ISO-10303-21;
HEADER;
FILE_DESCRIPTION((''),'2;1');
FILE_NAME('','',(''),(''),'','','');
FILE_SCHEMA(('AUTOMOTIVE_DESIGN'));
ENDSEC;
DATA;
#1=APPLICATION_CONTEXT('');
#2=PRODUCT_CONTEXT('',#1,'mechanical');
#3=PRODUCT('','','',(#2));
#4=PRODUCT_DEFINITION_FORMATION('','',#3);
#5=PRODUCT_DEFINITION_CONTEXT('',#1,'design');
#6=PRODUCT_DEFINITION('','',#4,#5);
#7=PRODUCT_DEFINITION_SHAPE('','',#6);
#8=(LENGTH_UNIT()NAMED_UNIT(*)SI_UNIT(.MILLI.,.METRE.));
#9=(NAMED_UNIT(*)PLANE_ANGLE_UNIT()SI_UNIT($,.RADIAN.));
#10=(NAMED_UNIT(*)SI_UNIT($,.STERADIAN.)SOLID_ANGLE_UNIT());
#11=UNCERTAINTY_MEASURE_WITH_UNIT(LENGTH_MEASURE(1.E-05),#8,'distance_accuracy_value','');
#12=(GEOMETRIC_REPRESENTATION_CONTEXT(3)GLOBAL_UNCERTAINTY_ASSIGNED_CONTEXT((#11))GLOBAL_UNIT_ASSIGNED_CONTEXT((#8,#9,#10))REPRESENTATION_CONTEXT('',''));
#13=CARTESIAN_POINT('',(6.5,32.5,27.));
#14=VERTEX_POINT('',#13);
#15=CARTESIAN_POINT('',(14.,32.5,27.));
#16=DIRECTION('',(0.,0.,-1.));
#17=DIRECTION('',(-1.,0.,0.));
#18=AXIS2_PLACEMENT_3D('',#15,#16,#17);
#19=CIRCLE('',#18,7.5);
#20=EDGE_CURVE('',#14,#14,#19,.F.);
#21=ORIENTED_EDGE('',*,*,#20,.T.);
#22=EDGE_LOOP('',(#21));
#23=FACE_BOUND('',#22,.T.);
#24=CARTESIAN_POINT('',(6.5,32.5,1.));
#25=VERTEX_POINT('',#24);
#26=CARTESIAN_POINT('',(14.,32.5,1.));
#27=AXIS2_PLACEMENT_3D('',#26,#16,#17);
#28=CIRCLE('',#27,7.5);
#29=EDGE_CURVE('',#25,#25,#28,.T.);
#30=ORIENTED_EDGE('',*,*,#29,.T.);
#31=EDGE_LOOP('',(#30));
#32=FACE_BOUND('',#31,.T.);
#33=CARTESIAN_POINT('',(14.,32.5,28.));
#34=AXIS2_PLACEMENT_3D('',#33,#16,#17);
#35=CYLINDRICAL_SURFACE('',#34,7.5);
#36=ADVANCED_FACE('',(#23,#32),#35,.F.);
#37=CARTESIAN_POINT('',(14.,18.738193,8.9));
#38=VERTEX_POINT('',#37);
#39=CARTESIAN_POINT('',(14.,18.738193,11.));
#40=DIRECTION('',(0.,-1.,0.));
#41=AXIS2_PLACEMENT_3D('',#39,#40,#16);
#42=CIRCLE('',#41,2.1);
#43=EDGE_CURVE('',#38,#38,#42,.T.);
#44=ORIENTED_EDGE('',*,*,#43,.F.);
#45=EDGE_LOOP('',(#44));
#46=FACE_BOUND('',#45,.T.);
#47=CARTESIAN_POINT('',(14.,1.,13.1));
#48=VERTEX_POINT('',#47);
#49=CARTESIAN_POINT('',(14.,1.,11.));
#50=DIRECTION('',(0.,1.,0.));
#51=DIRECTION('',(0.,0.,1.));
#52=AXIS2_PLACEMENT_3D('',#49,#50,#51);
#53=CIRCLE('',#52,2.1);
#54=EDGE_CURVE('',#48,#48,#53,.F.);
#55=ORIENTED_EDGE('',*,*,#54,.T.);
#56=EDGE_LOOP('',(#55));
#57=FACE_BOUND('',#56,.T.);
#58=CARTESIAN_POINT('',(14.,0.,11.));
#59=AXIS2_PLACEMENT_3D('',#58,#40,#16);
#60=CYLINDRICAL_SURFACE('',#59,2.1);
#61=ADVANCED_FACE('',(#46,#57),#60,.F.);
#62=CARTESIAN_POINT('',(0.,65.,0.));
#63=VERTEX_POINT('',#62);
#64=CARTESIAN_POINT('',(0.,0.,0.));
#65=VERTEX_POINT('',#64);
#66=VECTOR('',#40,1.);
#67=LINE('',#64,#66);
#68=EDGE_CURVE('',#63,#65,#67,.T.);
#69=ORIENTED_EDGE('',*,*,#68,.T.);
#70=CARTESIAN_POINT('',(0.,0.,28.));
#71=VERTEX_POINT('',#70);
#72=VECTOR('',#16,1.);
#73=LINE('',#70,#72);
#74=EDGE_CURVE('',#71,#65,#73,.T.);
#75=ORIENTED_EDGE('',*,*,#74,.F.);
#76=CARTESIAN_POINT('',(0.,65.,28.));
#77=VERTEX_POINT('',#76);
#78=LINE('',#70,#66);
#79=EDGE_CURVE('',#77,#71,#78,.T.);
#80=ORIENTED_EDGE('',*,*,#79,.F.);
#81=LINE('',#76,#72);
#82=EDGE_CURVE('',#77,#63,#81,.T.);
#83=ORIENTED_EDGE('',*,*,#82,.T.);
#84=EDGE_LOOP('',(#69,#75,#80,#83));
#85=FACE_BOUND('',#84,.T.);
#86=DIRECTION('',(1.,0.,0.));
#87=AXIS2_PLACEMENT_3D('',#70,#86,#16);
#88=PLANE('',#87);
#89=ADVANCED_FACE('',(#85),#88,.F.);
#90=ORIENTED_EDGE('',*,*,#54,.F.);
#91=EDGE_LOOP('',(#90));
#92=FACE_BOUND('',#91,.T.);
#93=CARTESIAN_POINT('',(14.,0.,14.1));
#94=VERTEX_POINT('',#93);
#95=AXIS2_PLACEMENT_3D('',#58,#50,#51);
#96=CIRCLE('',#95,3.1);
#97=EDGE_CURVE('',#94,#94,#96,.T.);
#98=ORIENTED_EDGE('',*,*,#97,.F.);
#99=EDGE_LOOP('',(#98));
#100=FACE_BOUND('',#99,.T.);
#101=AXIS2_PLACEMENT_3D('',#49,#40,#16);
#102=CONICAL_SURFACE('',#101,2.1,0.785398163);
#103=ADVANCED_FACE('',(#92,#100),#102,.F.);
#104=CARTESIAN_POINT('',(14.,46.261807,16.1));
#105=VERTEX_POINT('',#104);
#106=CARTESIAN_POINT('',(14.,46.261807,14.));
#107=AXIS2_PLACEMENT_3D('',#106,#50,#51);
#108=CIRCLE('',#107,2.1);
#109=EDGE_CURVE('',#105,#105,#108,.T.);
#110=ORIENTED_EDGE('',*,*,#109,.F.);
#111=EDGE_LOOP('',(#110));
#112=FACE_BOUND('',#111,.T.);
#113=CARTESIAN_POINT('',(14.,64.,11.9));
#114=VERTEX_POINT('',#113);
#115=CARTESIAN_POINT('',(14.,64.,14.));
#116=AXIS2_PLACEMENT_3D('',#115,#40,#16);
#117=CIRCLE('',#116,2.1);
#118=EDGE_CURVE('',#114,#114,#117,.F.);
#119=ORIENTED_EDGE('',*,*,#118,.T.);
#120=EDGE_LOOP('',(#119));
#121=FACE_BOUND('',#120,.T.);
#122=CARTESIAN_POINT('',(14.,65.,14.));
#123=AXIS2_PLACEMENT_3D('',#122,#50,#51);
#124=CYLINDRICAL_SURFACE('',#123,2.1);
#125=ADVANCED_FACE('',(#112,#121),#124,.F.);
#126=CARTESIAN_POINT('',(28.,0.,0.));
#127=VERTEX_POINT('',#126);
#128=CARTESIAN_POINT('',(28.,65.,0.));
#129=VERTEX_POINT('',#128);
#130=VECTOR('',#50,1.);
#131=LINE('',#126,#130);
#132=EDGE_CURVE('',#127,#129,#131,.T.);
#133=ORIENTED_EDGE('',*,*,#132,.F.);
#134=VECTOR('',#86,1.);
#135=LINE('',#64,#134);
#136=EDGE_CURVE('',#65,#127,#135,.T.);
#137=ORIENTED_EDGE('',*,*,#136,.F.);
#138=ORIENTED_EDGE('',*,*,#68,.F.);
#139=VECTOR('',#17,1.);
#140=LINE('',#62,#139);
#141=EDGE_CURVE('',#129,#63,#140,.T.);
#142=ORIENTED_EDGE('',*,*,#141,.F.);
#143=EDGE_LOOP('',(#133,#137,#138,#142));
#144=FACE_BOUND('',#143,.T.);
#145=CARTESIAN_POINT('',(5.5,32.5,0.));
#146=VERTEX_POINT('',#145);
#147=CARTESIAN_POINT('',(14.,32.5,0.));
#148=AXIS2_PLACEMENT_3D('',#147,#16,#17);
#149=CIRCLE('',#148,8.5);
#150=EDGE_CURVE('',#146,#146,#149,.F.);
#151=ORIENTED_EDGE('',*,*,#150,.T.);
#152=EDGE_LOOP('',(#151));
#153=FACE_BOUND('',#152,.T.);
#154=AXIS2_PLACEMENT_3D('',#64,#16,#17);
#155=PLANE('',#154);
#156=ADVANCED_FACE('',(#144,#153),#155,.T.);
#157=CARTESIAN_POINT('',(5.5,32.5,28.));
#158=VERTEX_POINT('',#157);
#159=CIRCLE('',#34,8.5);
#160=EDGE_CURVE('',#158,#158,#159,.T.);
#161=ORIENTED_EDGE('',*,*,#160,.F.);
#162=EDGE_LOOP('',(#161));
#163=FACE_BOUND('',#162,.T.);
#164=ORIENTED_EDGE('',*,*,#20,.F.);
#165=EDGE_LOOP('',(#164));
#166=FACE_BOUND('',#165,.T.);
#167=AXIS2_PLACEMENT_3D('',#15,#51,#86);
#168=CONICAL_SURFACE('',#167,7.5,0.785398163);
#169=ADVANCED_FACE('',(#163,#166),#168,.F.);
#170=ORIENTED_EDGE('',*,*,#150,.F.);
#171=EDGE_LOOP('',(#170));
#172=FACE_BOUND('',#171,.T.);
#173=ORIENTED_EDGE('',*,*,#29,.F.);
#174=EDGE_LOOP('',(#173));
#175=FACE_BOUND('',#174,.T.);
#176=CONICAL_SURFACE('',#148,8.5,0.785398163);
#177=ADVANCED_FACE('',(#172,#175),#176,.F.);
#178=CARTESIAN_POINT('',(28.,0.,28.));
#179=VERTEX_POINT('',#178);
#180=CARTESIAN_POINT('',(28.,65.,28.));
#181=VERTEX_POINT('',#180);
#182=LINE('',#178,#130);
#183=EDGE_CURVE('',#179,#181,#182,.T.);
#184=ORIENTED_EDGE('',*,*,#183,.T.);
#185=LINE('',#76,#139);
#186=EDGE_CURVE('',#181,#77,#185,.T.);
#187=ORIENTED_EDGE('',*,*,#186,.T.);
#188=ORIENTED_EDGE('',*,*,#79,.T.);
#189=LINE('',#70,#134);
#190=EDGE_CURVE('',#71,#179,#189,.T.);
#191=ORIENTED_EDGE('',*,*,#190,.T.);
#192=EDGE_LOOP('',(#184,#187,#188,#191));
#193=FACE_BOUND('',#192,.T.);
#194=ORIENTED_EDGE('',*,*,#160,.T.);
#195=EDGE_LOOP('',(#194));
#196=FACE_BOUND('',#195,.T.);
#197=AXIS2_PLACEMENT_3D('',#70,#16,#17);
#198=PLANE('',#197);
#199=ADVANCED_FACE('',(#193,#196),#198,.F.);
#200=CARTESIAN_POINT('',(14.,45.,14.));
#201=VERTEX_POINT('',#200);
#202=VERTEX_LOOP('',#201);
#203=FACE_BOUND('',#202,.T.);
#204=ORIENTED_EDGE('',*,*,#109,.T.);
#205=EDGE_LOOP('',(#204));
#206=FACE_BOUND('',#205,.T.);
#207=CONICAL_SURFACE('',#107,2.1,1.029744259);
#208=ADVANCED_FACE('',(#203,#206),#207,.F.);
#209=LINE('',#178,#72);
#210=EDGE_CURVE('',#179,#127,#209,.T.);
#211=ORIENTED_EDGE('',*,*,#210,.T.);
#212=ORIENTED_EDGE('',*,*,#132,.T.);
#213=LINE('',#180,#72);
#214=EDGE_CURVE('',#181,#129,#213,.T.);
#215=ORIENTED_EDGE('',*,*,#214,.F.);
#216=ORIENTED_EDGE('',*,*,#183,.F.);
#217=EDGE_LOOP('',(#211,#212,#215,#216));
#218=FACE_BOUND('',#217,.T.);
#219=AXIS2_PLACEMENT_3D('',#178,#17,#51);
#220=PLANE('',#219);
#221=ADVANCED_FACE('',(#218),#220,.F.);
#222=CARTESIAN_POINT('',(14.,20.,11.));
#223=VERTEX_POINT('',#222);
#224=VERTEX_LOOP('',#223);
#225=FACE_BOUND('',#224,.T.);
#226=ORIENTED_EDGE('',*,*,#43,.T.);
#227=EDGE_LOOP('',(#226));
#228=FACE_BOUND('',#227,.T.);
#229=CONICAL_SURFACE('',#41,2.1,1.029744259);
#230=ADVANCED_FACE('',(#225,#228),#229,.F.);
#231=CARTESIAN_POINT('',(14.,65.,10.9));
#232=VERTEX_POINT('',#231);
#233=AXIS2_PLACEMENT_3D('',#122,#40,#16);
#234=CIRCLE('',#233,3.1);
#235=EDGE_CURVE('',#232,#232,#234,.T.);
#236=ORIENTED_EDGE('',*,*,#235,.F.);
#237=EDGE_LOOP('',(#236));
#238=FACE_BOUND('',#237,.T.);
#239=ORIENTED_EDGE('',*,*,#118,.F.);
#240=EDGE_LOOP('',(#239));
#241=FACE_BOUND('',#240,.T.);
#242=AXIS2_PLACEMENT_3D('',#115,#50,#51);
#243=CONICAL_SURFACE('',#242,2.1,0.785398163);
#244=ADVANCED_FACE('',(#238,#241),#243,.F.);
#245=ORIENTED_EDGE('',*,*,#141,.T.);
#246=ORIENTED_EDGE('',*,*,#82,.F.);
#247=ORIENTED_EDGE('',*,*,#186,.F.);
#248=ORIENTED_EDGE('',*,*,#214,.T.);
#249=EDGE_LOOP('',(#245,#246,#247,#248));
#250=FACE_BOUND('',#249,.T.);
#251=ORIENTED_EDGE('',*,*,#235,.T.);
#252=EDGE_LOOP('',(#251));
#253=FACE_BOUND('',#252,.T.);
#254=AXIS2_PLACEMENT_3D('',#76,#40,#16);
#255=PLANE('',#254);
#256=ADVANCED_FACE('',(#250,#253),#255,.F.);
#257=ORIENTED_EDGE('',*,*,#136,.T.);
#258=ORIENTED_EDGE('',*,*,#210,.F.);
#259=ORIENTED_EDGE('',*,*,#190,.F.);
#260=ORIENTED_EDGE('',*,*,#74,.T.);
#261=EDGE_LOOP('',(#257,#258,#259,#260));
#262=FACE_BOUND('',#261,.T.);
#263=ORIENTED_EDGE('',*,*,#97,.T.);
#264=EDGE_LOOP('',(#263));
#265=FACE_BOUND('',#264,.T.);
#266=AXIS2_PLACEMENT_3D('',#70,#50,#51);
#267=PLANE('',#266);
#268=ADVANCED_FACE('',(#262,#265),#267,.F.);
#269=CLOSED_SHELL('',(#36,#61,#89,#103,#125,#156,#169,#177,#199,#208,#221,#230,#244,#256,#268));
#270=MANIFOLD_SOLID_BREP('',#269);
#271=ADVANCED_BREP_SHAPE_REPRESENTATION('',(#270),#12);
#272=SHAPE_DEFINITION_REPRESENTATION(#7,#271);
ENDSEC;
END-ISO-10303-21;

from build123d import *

# Parameters (mm, degrees)
SKETCH1_W             = 28
SKETCH1_H             = 65
SKETCH1_R             = 7.5
BOSS_EXTRUDE1_DEPTH   = 28
M5_TAPPED_HOLE3_D     = 4.2
M5_TAPPED_HOLE3_DEPTH = 18.7381927
M5_TAPPED_HOLE3_TIP   = 1.2618073
M5_TAPPED_HOLE4_D     = 4.2
M5_TAPPED_HOLE4_DEPTH = 18.7381927
M5_TAPPED_HOLE4_TIP   = 1.2618073
CHAMFER1_SIZE         = 1


with BuildPart() as part:
    # Sketch1 → Boss-Extrude1 (new body)
    with BuildSketch(Plane.XY):
        with Locations((14, 32.5)):
            Rectangle(SKETCH1_W, SKETCH1_H)
        with Locations((14, 32.5)):
            Circle(SKETCH1_R, mode=Mode.SUBTRACT)
    extrude(amount=BOSS_EXTRUDE1_DEPTH)

    # M5 Tapped Hole3
    with Locations(Plane(origin=(0, 0, 0), x_dir=(-1, 0, 0), z_dir=(0, -1, 0))):
        with Locations((-14, -11)):
            Hole(M5_TAPPED_HOLE3_D / 2, depth=M5_TAPPED_HOLE3_DEPTH)
            with Locations((0, 0, -(M5_TAPPED_HOLE3_DEPTH + M5_TAPPED_HOLE3_TIP / 2))):  # 118° drill point
                Cone(0, M5_TAPPED_HOLE3_D / 2, M5_TAPPED_HOLE3_TIP, mode=Mode.SUBTRACT)

    # M5 Tapped Hole4
    with Locations(Plane(origin=(0, 65, 0), x_dir=(1, 0, 0), z_dir=(0, 1, 0))):
        with Locations((14, -14)):
            Hole(M5_TAPPED_HOLE4_D / 2, depth=M5_TAPPED_HOLE4_DEPTH)
            with Locations((0, 0, -(M5_TAPPED_HOLE4_DEPTH + M5_TAPPED_HOLE4_TIP / 2))):  # 118° drill point
                Cone(0, M5_TAPPED_HOLE4_D / 2, M5_TAPPED_HOLE4_TIP, mode=Mode.SUBTRACT)

    # Chamfer1
    chamfer1_edges = [part.edges().sort_by_distance(p)[0] for p in [
        (6.5, 32.5, 0),
        (6.5, 32.5, 28),
        (11.9, 0, 11),
        (16.1, 65, 14),
    ]]
    chamfer(chamfer1_edges, length=CHAMFER1_SIZE)


solid = part.part
